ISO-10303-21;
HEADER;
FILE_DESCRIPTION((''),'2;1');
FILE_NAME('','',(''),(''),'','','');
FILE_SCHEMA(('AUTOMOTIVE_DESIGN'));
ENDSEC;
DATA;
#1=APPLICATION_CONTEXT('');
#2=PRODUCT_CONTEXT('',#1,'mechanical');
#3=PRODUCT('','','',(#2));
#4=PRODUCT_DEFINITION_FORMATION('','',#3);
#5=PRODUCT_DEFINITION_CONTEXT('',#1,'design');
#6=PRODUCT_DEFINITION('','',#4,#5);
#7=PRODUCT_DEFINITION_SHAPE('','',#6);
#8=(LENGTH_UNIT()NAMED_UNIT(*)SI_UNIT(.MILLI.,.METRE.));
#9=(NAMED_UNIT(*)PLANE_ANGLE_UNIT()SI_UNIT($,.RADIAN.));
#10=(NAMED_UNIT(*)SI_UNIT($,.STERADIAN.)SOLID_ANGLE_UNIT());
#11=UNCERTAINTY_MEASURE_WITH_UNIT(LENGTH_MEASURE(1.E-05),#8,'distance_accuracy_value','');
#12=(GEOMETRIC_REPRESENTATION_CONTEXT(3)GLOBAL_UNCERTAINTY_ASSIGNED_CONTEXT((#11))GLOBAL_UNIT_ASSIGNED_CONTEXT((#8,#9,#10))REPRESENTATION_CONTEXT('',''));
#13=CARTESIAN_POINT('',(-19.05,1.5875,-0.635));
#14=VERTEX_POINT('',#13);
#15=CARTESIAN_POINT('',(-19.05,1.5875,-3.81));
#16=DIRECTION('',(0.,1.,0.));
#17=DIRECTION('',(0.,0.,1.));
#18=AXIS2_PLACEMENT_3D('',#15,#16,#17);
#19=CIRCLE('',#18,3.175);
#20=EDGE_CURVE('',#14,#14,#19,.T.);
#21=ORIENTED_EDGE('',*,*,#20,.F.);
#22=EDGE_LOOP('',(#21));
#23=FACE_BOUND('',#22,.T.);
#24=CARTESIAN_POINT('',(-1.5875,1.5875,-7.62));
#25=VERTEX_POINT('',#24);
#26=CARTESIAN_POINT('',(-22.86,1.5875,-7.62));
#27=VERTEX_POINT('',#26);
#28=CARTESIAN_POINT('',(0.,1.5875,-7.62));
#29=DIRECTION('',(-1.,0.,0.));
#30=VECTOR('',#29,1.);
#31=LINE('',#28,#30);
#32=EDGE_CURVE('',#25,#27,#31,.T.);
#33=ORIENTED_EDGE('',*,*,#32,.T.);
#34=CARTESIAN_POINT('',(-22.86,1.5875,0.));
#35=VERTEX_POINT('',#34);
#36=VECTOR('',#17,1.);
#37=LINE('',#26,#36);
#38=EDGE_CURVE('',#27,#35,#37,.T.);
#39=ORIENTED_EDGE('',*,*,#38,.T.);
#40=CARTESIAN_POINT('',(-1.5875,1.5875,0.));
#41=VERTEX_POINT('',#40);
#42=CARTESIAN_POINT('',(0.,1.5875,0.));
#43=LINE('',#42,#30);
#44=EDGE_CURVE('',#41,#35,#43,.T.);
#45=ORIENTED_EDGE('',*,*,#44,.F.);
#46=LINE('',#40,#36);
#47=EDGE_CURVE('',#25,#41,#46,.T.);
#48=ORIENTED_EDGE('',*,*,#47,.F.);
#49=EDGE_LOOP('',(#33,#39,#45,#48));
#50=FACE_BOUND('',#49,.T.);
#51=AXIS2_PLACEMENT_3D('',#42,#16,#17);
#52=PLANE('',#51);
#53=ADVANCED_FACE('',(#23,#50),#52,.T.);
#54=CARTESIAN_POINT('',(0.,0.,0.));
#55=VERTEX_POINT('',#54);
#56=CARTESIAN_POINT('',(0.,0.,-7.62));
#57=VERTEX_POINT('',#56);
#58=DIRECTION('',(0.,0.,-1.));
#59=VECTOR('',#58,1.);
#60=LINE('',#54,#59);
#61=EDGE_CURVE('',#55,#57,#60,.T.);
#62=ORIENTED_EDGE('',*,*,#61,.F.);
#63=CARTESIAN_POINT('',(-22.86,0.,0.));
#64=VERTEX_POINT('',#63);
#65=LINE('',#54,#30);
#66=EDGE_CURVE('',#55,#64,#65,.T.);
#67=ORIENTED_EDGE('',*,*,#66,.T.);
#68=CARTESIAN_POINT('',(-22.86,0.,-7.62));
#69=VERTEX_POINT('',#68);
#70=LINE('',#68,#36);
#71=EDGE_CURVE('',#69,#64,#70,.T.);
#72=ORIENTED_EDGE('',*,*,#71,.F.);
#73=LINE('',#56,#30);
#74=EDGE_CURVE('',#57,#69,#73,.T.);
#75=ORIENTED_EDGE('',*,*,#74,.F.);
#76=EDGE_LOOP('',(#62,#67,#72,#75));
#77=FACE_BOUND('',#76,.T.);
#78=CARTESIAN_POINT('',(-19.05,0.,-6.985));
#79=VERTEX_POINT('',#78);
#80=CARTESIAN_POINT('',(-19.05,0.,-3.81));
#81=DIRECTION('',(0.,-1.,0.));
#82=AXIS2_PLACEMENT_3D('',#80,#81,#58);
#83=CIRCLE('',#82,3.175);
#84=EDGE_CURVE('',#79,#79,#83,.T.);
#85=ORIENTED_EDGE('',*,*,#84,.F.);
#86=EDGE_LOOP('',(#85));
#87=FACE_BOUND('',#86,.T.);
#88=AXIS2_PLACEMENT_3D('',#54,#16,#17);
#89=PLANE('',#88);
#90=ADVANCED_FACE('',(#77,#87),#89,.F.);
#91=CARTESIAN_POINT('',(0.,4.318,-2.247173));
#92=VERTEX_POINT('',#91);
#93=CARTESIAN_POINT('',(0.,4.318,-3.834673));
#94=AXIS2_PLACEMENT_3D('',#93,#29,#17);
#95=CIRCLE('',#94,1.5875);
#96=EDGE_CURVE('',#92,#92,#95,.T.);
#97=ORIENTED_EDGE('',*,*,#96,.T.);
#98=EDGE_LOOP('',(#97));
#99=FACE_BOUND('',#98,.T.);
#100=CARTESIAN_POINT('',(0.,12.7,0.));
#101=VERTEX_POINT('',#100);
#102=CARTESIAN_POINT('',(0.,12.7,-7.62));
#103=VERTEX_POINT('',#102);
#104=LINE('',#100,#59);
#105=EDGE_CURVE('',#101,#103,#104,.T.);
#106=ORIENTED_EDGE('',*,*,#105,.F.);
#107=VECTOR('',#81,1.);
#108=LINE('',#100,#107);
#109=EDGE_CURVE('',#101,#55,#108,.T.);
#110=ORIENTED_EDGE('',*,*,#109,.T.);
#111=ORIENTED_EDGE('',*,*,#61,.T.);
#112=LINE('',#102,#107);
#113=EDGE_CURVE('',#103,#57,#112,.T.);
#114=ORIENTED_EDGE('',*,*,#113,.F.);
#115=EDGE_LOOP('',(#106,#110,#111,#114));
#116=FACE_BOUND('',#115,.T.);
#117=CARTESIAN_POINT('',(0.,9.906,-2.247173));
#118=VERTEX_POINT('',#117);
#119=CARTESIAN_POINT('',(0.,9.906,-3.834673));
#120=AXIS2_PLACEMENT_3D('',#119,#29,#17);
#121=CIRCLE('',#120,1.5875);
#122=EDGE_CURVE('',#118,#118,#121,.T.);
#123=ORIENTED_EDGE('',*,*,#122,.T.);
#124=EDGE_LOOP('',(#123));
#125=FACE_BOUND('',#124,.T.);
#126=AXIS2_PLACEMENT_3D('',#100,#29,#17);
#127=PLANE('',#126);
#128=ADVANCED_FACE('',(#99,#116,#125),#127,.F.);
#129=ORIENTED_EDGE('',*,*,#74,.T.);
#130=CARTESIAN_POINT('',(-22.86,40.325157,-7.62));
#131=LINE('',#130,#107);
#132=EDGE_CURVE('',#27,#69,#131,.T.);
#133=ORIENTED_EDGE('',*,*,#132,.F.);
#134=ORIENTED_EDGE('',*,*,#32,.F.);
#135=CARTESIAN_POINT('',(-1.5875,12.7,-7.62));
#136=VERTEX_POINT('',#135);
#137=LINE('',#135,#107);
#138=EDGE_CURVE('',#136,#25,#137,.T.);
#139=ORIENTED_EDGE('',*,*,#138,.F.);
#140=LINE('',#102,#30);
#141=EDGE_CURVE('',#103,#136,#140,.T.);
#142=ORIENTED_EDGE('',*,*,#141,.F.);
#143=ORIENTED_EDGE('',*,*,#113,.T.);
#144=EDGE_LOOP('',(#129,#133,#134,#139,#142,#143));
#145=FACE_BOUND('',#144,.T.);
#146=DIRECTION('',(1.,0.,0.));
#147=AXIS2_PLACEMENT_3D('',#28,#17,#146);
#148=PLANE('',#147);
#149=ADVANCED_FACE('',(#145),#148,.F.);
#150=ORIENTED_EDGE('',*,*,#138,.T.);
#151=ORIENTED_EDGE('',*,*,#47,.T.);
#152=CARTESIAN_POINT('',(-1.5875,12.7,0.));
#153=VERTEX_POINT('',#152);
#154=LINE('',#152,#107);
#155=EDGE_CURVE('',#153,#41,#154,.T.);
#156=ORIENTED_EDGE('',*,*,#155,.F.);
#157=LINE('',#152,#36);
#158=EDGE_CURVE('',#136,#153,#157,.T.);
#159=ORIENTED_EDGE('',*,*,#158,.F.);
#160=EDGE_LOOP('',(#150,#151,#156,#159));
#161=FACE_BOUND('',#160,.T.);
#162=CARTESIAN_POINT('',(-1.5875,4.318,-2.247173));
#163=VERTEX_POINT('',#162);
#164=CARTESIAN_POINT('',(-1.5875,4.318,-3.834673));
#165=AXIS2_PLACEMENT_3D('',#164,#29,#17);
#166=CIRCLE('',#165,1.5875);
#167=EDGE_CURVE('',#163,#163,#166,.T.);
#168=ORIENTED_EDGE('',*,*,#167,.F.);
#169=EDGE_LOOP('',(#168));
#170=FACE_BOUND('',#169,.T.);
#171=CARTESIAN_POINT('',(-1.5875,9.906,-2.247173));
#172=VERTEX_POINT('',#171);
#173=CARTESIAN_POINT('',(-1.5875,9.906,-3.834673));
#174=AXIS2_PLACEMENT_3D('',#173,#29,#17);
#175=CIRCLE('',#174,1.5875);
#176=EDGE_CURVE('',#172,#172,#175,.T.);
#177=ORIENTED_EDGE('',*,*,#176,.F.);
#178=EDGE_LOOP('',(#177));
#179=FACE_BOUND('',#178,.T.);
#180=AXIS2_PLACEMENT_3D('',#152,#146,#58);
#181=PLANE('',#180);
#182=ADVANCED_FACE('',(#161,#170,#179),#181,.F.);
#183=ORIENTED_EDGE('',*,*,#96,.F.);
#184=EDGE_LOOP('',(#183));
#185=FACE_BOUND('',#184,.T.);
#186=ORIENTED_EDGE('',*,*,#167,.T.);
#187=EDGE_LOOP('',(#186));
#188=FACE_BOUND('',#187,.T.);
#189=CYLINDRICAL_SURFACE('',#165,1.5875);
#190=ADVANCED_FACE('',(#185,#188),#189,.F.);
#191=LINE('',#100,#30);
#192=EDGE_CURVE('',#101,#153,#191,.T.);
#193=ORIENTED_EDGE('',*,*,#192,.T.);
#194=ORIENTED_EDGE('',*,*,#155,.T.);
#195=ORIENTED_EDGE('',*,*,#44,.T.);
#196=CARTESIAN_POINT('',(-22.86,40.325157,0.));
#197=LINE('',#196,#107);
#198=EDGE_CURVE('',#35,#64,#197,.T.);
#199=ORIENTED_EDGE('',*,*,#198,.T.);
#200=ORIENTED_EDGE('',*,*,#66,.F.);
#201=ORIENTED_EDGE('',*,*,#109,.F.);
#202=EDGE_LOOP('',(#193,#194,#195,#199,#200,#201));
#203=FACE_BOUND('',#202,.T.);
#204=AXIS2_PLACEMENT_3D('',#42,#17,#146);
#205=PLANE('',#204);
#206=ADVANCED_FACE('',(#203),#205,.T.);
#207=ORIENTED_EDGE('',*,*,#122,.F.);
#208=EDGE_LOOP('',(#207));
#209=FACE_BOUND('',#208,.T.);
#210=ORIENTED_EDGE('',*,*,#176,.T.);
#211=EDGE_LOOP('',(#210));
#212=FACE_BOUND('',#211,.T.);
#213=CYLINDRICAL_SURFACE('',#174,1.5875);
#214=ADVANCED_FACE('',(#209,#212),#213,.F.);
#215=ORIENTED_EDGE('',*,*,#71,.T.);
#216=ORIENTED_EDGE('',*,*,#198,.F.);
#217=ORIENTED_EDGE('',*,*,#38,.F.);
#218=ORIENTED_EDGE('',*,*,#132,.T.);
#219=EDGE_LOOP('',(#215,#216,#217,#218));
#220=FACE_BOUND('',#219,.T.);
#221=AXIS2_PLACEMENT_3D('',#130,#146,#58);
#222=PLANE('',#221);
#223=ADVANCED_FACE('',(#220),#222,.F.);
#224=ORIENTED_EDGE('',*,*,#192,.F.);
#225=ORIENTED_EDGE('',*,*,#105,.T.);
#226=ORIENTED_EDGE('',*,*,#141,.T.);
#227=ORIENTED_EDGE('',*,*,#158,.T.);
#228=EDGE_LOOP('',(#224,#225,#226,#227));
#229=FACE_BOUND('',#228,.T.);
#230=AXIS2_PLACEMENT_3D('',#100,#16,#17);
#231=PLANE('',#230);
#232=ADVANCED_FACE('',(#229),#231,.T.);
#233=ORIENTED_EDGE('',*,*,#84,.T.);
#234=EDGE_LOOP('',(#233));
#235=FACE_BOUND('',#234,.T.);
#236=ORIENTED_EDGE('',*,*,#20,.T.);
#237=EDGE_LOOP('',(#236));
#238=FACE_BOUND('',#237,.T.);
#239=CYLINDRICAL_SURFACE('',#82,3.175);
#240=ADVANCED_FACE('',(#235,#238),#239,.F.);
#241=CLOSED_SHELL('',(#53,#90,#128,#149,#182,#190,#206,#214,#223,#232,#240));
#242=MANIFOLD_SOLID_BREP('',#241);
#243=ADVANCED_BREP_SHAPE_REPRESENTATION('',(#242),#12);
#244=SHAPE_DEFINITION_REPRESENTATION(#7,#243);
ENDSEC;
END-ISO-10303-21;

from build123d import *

# Parameters (mm, degrees)
SKETCH1_W                    = 23.8125
SKETCH1_H                    = 7.62
BOSS_EXTRUDE1_DEPTH          = 1.5875
SKETCH1_4_W                  = 1.5875
SKETCH1_4_H                  = 7.62
BOSS_EXTRUDE2_DEPTH          = 12.7
F_1_4_0_25_DIAMETER_HOLE1_D  = 6.35
CUT_EXTRUDE2_DEPTH           = 29.752600861
CUT_EXTRUDE2_DEPTH_BACK      = 1.5875
F_1_8_0_125_DIAMETER_HOLE1_D = 3.175


with BuildPart() as part:
    # Sketch1 → Boss-Extrude1 (new body)
    with BuildSketch(Plane(origin=(0, 0, 0), x_dir=(1, 0, 0), z_dir=(0, 1, 0))):
        with Locations((-13.49375, 3.81)):
            Rectangle(SKETCH1_W, SKETCH1_H)
    extrude(amount=BOSS_EXTRUDE1_DEPTH)

    # Sketch1<4> → Boss-Extrude2 (add)
    with BuildSketch(Plane(origin=(0, 0, 0), x_dir=(1, 0, 0), z_dir=(0, 1, 0))):
        with Locations((-0.79375, 3.81)):
            Rectangle(SKETCH1_4_W, SKETCH1_4_H)
    extrude(amount=BOSS_EXTRUDE2_DEPTH)

    # 1/4 (0.25) Diameter Hole1 (through all)
    with Locations(Plane(origin=(0, 0, 0), x_dir=(-1, 0, 0), z_dir=(0, -1, 0))):
        with Locations((19.05, 3.81)):
            Hole(F_1_4_0_25_DIAMETER_HOLE1_D / 2)

    # Sketch7 → Cut-Extrude2 (cut, two sides: drawn at the far end of the back side and taken through both)
    with BuildSketch(Plane(origin=(0, 1.5875, 0), x_dir=(1, 0, 0), z_dir=(0, 1, 0)).offset(-CUT_EXTRUDE2_DEPTH_BACK)):
        Polygon((-22.86, 65.813111541), (-22.86, 7.62), (-22.86, 0), (-22.86, -58.193111541), (-139.246223082, -58.193111541), (-139.246223082, 65.813111541), align=None)
    extrude(amount=CUT_EXTRUDE2_DEPTH + CUT_EXTRUDE2_DEPTH_BACK, mode=Mode.SUBTRACT)

    # 1/8 (0.125) Diameter Hole1 (through all)
    with Locations(Plane.ZY.offset(1.5875)):
        with Locations((-3.834673101, 9.906), (-3.834673101, 4.318)):
            Hole(F_1_8_0_125_DIAMETER_HOLE1_D / 2)


solid = part.part
